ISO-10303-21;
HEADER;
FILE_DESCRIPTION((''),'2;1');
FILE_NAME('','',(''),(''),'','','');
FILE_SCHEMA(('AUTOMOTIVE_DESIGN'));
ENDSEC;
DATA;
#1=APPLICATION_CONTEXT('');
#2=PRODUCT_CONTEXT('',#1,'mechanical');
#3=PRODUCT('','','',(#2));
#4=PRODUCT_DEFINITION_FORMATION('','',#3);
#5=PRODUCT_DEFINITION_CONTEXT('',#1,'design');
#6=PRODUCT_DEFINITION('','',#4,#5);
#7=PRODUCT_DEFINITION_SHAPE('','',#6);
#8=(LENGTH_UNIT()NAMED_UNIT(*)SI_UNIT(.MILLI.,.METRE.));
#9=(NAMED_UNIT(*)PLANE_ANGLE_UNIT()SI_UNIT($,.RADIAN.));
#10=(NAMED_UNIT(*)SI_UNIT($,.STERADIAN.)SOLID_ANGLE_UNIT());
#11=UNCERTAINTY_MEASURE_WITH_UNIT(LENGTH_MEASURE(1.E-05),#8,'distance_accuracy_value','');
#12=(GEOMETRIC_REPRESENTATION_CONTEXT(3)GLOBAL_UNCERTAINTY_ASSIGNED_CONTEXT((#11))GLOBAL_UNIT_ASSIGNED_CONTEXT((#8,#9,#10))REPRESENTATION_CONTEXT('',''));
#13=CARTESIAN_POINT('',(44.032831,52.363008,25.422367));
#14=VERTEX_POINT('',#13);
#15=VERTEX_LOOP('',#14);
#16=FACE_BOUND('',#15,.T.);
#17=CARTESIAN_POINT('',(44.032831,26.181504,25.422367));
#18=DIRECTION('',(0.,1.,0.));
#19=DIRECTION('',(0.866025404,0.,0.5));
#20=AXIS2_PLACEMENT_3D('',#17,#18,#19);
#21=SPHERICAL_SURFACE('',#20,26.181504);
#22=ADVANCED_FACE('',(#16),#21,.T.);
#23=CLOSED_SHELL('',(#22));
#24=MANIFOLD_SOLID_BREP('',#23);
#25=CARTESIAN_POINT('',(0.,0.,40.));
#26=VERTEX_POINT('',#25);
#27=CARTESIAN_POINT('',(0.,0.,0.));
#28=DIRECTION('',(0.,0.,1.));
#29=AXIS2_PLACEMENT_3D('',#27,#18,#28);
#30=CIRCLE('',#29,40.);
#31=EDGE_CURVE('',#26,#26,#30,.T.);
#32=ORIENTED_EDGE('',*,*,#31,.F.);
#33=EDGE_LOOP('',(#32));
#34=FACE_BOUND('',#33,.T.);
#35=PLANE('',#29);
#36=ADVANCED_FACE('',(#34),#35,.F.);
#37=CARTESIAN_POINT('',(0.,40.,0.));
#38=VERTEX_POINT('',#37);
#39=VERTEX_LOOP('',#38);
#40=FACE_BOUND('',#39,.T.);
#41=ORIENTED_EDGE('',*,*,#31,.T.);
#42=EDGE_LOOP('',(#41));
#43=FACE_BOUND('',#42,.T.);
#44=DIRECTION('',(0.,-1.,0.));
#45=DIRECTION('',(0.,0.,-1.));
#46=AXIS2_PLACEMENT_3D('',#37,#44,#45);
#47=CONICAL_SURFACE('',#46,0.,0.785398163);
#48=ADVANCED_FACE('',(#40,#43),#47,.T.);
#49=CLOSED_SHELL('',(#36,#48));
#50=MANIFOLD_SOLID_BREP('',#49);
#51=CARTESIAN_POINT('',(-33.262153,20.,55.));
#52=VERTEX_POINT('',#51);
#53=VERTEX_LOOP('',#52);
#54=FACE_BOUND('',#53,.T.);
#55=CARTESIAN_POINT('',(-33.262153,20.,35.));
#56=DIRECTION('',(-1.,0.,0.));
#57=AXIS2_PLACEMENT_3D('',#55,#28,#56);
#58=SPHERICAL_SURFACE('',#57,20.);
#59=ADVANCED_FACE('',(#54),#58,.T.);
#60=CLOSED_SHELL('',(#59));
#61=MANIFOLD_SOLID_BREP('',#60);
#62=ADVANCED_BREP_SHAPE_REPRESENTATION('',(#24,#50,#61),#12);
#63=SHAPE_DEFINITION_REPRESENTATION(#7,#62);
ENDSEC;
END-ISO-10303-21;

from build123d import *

# Parameters (mm, degrees)
SKETCH1_R = 40


with BuildPart() as part:
    # Sketch1 → Loft1 section 0
    with BuildSketch(Plane(origin=(0, 0, 0), x_dir=(1, 0, 0), z_dir=(0, 1, 0)), mode=Mode.PRIVATE) as loft1_s0:
        Circle(SKETCH1_R)
    loft([Vertex(0, 40, 0), loft1_s0.sketch])


with BuildPart() as body_2:
    # Sketch5 → Revolve1 (revolve)
    with BuildSketch(Plane(origin=(0, 20, 0), x_dir=(-1, 0, 0), z_dir=(0, 1, 0))):
        with BuildLine():
            Line((33.262153416, 55), (33.262153416, 15))
            ThreePointArc((33.262153416, 15), (53.262153416, 35), (33.262153416, 55))
        make_face()
    revolve(axis=Axis((-33.262153416, 20, 55), (0, 0, -1)))


with BuildPart() as body_3:
    # Sketch8 → Revolve2 (revolve)
    with BuildSketch(Plane(origin=(0, 0, 0), x_dir=(0.866025404, 0, 0.5), z_dir=(-0.5, 0, 0.866025404))):
        with BuildLine():
            Line((50.844733963, 52.363007627), (50.844733963, 0))
            ThreePointArc((50.844733963, 0), (24.663230149, 26.181503814), (50.844733963, 52.363007627))
        make_face()
    revolve(axis=Axis((44.032831261, 52.363007627, 25.422366981), (0, -1, 0)))


solid = Compound([part.part, body_2.part, body_3.part])
